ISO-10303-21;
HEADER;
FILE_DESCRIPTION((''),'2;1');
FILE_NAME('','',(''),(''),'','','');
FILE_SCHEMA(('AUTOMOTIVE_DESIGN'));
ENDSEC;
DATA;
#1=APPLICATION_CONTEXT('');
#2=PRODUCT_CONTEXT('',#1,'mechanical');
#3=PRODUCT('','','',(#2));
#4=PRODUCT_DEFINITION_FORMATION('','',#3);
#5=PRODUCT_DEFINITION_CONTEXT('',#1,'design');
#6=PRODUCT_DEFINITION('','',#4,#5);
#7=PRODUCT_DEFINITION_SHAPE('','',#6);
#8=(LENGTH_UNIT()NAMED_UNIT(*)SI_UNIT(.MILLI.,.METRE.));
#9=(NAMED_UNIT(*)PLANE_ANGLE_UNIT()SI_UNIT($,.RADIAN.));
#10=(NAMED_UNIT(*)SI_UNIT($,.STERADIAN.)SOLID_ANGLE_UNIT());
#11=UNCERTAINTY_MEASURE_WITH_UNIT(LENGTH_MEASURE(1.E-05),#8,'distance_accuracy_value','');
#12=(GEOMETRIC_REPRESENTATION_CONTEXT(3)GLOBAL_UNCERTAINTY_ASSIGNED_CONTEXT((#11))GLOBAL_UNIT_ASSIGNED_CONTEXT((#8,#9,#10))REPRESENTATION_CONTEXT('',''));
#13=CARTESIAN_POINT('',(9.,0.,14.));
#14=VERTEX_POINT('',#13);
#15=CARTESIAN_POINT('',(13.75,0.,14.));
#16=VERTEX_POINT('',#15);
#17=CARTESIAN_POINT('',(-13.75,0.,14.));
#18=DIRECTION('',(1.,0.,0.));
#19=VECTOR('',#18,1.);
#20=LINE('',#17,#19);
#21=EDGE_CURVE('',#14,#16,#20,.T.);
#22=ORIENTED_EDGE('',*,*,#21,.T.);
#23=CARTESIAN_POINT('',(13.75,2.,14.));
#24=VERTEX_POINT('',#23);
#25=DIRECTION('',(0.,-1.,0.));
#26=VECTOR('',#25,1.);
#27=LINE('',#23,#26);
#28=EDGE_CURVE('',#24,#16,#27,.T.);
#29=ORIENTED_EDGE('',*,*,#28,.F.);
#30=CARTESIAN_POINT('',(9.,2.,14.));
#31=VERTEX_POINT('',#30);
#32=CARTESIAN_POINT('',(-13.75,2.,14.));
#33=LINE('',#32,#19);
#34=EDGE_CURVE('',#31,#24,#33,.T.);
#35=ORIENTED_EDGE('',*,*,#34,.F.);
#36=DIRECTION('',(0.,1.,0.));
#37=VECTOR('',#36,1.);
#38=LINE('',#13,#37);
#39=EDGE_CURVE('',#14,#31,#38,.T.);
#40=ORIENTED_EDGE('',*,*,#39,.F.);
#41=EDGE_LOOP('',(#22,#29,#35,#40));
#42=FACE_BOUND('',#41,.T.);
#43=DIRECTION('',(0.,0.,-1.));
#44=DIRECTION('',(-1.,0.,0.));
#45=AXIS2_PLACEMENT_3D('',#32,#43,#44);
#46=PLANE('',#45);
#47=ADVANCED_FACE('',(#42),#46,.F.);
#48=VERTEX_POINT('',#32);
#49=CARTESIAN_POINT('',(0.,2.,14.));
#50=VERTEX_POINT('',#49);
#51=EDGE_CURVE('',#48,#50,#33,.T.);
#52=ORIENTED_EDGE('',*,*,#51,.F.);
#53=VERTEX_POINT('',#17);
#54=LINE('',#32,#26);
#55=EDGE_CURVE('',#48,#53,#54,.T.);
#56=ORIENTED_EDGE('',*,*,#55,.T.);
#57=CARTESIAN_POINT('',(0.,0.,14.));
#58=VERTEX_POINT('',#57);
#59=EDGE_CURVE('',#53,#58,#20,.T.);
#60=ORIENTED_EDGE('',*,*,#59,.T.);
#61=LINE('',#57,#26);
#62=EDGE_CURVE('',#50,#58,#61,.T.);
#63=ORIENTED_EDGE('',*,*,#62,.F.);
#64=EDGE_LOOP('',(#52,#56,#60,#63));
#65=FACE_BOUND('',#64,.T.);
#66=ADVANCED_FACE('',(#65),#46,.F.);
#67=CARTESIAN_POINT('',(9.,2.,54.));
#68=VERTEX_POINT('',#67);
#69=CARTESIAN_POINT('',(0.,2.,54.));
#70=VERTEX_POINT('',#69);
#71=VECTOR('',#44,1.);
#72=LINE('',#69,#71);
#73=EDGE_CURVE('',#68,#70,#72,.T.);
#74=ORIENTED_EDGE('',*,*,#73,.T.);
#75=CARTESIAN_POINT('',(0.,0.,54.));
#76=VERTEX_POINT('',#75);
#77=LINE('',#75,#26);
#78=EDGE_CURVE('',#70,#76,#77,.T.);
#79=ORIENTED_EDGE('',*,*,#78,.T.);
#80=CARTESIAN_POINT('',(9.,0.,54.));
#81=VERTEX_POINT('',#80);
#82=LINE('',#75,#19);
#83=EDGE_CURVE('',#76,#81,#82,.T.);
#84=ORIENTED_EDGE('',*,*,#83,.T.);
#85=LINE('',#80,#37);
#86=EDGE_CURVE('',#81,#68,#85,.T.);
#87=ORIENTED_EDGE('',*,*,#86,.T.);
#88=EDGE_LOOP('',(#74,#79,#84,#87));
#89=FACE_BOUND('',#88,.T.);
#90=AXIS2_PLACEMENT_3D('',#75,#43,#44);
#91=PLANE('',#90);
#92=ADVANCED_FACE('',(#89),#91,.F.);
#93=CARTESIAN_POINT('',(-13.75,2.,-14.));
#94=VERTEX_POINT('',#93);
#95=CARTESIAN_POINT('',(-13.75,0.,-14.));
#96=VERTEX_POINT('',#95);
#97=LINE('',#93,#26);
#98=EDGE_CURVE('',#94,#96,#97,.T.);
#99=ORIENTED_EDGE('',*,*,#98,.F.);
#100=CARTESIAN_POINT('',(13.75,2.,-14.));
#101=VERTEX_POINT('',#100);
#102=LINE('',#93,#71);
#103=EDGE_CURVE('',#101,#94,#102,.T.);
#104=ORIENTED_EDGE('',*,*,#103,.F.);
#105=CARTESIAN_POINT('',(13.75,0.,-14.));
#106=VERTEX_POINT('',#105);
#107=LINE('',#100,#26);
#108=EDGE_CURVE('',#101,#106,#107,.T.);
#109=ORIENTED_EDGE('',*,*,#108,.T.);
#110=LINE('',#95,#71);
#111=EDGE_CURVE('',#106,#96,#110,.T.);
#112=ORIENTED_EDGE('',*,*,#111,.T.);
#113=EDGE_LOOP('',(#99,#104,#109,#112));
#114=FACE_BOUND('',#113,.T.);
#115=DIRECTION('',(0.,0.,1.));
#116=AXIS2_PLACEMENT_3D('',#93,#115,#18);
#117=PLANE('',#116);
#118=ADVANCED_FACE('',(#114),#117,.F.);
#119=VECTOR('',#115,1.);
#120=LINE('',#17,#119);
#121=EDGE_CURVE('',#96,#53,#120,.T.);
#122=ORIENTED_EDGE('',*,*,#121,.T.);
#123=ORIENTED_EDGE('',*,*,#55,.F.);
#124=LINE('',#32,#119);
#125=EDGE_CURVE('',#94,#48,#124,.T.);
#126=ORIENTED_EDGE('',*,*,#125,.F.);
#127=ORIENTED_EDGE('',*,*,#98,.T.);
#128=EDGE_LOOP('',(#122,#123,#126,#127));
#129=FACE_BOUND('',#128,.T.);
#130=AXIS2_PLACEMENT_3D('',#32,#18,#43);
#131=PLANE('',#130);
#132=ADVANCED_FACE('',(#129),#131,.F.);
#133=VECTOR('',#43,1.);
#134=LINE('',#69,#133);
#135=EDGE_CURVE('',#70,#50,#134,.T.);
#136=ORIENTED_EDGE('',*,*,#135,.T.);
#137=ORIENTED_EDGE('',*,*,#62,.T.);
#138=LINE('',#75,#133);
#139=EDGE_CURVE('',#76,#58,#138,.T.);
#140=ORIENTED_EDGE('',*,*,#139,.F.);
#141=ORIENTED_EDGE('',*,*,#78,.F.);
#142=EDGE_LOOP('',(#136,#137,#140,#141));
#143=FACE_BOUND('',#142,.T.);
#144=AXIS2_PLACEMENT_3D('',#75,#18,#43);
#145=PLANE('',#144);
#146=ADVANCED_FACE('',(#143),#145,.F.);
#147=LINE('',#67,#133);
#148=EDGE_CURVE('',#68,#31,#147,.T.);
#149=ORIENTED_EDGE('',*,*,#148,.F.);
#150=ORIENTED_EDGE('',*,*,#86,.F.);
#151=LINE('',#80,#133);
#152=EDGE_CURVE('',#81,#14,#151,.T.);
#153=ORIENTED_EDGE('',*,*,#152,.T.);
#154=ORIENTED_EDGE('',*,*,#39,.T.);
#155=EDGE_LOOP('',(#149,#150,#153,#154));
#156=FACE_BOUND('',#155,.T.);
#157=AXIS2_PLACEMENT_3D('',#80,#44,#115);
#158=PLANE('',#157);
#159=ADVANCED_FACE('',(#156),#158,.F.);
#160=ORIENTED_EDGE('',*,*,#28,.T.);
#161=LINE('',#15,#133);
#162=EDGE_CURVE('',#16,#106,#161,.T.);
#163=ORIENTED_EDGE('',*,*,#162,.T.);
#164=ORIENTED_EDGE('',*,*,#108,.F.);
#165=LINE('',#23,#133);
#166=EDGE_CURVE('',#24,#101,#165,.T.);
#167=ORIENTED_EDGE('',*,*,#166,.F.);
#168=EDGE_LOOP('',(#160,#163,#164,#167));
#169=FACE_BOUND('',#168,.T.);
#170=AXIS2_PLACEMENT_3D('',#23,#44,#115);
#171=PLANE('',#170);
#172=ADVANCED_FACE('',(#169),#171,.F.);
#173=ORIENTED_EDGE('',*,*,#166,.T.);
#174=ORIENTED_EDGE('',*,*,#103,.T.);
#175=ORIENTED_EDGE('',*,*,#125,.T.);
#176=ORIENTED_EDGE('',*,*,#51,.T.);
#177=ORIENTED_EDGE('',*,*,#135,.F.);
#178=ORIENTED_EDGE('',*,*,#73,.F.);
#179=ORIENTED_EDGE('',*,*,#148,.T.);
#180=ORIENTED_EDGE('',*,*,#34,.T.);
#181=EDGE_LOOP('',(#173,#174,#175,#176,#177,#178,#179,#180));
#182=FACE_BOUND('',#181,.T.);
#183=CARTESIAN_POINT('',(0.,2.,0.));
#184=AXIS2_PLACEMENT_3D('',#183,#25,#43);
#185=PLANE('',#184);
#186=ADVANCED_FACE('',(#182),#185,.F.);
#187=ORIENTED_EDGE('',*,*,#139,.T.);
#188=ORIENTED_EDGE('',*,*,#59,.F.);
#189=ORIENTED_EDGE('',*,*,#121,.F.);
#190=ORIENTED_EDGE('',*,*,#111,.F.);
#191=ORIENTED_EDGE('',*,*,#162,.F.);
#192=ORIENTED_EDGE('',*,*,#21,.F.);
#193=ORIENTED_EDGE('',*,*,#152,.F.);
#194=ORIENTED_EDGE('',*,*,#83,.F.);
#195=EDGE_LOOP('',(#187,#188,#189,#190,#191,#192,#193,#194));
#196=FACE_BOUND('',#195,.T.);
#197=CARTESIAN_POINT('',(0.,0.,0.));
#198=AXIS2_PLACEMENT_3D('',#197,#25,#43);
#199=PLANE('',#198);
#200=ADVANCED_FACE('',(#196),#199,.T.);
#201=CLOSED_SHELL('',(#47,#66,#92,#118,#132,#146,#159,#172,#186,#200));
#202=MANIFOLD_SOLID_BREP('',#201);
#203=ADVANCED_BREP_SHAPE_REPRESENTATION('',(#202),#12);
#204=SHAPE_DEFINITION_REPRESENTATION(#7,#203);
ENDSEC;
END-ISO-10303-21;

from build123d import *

# Parameters (mm, degrees)
SKETCH1_W           = 27.5
SKETCH1_H           = 28
BOSS_EXTRUDE1_DEPTH = 2
SKETCH2_W           = 9
SKETCH2_H           = 2
BOSS_EXTRUDE2_DEPTH = 40


with BuildPart() as part:
    # Sketch1 → Boss-Extrude1 (new body)
    with BuildSketch(Plane(origin=(0, 0, 0), x_dir=(1, 0, 0), z_dir=(0, 1, 0))):
        Rectangle(SKETCH1_W, SKETCH1_H)
    extrude(amount=BOSS_EXTRUDE1_DEPTH)

    # Sketch2 → Boss-Extrude2 (add)
    with BuildSketch(Plane.XY.offset(14)):
        with Locations((4.5, 1)):
            Rectangle(SKETCH2_W, SKETCH2_H)
    extrude(amount=BOSS_EXTRUDE2_DEPTH)


solid = part.part
